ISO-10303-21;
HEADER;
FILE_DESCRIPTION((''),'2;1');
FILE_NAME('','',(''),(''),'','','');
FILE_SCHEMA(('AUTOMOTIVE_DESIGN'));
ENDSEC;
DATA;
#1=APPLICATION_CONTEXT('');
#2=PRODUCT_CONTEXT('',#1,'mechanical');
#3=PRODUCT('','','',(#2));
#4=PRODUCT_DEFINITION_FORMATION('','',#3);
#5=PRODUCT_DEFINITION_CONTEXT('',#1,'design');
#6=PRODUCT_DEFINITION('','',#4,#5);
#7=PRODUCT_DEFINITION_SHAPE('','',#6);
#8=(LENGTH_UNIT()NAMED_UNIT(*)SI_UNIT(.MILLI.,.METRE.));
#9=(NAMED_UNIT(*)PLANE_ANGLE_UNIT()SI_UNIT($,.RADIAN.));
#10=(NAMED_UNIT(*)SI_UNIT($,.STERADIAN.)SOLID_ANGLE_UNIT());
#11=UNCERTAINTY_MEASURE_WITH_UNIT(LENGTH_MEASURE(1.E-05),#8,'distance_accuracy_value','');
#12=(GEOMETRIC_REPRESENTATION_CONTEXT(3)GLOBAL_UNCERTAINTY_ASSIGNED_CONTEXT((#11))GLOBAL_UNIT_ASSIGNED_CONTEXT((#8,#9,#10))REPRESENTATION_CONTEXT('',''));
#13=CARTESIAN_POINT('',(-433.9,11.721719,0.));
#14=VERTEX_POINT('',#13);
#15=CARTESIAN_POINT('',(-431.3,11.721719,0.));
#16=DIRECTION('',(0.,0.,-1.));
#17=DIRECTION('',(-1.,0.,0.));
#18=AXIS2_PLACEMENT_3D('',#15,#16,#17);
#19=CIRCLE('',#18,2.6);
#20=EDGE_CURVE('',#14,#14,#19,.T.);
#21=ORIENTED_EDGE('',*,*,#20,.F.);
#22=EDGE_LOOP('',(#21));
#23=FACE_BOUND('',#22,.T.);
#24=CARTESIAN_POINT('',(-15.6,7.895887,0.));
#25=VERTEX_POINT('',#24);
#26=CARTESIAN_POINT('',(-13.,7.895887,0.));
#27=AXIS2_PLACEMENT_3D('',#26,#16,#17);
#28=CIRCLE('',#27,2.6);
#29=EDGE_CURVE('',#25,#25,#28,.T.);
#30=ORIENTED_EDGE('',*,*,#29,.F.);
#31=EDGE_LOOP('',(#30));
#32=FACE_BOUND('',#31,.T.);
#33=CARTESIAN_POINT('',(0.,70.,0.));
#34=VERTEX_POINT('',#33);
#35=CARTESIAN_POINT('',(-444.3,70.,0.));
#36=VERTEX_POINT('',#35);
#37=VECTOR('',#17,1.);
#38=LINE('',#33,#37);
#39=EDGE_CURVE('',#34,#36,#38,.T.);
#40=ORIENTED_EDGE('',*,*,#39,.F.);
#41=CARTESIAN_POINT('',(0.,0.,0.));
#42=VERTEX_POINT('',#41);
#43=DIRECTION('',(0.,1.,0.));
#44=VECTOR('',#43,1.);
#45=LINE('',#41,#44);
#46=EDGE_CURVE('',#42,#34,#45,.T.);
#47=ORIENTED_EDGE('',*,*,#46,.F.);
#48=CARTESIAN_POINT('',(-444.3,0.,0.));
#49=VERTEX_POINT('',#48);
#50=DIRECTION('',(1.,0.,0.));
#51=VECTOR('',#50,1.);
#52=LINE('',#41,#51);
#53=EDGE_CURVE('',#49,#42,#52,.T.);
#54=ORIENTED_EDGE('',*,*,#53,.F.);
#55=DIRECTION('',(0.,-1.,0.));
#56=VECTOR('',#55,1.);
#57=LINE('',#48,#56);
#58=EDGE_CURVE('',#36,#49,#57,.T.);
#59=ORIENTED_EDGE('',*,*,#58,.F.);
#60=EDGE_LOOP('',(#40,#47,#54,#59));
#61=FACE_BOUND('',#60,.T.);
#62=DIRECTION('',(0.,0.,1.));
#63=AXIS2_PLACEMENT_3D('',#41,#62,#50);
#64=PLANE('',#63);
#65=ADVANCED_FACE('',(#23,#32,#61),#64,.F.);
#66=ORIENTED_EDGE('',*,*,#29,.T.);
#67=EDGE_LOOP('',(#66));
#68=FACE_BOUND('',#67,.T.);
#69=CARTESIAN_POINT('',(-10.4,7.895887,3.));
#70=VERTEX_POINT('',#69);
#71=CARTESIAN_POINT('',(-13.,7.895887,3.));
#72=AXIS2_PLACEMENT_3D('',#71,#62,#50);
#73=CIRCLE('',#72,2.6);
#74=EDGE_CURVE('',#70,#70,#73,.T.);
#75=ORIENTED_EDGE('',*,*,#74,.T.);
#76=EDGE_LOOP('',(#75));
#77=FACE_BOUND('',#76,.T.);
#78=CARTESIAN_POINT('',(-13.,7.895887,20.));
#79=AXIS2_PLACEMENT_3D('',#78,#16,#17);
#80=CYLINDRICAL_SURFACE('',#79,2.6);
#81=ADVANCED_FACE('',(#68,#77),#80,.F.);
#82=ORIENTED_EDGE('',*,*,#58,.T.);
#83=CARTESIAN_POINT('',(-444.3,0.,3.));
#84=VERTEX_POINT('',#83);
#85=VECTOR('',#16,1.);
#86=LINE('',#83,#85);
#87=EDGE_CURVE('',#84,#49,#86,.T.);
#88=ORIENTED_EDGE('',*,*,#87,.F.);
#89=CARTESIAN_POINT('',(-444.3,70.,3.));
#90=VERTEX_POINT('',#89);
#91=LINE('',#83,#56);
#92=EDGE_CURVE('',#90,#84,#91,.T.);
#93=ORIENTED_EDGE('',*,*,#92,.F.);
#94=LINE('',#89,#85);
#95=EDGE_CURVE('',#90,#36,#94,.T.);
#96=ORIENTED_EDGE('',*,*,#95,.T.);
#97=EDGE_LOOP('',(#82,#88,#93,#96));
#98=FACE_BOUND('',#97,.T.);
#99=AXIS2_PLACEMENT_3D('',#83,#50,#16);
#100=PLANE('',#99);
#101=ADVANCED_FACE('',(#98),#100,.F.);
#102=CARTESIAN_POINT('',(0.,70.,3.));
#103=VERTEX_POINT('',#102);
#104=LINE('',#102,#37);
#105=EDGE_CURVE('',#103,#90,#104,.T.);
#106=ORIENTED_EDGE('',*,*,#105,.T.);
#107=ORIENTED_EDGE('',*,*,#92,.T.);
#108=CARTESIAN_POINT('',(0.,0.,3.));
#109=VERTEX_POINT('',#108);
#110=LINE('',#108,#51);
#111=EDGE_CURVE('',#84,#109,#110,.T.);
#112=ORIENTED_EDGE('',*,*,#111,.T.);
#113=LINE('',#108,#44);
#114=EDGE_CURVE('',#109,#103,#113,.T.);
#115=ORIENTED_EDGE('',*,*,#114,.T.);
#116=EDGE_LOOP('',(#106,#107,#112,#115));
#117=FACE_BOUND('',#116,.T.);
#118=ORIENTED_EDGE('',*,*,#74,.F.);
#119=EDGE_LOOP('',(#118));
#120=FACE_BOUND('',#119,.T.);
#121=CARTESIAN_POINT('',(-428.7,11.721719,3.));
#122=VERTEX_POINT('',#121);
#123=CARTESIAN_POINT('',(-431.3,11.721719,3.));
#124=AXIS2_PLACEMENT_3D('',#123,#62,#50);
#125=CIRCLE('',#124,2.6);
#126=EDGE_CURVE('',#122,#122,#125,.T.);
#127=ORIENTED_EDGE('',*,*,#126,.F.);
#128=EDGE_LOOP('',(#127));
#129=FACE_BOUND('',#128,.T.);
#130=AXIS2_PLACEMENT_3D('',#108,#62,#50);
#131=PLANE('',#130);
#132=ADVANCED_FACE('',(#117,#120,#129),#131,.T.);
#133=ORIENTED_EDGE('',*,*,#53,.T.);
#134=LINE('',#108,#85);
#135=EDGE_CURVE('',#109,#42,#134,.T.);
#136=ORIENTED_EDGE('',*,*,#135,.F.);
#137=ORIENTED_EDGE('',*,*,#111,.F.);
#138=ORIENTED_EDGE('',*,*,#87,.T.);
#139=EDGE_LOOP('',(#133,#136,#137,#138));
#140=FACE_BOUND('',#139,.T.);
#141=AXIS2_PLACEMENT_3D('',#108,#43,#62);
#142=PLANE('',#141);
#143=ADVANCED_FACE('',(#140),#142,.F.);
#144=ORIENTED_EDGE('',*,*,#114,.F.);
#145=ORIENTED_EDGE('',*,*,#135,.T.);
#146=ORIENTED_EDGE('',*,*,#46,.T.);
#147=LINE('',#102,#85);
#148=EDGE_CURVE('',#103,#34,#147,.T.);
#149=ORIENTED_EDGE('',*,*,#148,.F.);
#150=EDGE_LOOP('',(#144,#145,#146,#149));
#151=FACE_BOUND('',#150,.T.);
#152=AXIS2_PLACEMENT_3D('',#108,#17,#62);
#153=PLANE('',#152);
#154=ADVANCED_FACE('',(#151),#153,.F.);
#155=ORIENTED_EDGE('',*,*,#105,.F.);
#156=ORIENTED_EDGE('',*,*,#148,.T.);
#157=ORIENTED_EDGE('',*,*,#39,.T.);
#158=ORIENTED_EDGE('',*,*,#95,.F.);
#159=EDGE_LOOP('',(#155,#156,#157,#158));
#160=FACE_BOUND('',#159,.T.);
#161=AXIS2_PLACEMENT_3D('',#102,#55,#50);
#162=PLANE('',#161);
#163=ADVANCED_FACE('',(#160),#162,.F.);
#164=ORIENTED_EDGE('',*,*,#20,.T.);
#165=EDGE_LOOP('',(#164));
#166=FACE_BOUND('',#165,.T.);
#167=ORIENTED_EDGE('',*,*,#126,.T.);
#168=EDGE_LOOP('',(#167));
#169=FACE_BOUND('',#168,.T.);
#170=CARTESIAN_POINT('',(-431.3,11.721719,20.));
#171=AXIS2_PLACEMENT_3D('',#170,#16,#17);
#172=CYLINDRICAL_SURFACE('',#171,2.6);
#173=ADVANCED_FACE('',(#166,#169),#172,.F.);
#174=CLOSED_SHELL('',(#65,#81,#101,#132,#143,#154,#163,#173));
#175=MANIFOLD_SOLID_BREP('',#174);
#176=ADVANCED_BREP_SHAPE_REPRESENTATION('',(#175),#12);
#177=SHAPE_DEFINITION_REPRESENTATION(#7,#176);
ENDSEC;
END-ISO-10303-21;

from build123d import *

# Parameters (mm, degrees)
ESQUISSE1_W             = 444.3
ESQUISSE1_H             = 70
BOSS_EXTRU_1_DEPTH      = 3
ESQUISSE2_R             = 2.6
ENL_V_MAT_EXTRU_1_DEPTH = 20


with BuildPart() as part:
    # Esquisse1 → Boss.-Extru.1 (new body)
    with BuildSketch(Plane.XY):
        with Locations((-222.15, 35)):
            Rectangle(ESQUISSE1_W, ESQUISSE1_H)
    extrude(amount=BOSS_EXTRU_1_DEPTH)

    # Esquisse2 → Enlèv. mat.-Extru.1 (cut)
    with BuildSketch(Plane(origin=(0, 0, 0), x_dir=(-1, 0, 0), z_dir=(0, 0, -1))):
        with Locations((13, 7.895886877)):
            Circle(ESQUISSE2_R)
        with Locations((431.3, 11.721719368)):
            Circle(ESQUISSE2_R)
    extrude(amount=-ENL_V_MAT_EXTRU_1_DEPTH, mode=Mode.SUBTRACT)


solid = part.part
